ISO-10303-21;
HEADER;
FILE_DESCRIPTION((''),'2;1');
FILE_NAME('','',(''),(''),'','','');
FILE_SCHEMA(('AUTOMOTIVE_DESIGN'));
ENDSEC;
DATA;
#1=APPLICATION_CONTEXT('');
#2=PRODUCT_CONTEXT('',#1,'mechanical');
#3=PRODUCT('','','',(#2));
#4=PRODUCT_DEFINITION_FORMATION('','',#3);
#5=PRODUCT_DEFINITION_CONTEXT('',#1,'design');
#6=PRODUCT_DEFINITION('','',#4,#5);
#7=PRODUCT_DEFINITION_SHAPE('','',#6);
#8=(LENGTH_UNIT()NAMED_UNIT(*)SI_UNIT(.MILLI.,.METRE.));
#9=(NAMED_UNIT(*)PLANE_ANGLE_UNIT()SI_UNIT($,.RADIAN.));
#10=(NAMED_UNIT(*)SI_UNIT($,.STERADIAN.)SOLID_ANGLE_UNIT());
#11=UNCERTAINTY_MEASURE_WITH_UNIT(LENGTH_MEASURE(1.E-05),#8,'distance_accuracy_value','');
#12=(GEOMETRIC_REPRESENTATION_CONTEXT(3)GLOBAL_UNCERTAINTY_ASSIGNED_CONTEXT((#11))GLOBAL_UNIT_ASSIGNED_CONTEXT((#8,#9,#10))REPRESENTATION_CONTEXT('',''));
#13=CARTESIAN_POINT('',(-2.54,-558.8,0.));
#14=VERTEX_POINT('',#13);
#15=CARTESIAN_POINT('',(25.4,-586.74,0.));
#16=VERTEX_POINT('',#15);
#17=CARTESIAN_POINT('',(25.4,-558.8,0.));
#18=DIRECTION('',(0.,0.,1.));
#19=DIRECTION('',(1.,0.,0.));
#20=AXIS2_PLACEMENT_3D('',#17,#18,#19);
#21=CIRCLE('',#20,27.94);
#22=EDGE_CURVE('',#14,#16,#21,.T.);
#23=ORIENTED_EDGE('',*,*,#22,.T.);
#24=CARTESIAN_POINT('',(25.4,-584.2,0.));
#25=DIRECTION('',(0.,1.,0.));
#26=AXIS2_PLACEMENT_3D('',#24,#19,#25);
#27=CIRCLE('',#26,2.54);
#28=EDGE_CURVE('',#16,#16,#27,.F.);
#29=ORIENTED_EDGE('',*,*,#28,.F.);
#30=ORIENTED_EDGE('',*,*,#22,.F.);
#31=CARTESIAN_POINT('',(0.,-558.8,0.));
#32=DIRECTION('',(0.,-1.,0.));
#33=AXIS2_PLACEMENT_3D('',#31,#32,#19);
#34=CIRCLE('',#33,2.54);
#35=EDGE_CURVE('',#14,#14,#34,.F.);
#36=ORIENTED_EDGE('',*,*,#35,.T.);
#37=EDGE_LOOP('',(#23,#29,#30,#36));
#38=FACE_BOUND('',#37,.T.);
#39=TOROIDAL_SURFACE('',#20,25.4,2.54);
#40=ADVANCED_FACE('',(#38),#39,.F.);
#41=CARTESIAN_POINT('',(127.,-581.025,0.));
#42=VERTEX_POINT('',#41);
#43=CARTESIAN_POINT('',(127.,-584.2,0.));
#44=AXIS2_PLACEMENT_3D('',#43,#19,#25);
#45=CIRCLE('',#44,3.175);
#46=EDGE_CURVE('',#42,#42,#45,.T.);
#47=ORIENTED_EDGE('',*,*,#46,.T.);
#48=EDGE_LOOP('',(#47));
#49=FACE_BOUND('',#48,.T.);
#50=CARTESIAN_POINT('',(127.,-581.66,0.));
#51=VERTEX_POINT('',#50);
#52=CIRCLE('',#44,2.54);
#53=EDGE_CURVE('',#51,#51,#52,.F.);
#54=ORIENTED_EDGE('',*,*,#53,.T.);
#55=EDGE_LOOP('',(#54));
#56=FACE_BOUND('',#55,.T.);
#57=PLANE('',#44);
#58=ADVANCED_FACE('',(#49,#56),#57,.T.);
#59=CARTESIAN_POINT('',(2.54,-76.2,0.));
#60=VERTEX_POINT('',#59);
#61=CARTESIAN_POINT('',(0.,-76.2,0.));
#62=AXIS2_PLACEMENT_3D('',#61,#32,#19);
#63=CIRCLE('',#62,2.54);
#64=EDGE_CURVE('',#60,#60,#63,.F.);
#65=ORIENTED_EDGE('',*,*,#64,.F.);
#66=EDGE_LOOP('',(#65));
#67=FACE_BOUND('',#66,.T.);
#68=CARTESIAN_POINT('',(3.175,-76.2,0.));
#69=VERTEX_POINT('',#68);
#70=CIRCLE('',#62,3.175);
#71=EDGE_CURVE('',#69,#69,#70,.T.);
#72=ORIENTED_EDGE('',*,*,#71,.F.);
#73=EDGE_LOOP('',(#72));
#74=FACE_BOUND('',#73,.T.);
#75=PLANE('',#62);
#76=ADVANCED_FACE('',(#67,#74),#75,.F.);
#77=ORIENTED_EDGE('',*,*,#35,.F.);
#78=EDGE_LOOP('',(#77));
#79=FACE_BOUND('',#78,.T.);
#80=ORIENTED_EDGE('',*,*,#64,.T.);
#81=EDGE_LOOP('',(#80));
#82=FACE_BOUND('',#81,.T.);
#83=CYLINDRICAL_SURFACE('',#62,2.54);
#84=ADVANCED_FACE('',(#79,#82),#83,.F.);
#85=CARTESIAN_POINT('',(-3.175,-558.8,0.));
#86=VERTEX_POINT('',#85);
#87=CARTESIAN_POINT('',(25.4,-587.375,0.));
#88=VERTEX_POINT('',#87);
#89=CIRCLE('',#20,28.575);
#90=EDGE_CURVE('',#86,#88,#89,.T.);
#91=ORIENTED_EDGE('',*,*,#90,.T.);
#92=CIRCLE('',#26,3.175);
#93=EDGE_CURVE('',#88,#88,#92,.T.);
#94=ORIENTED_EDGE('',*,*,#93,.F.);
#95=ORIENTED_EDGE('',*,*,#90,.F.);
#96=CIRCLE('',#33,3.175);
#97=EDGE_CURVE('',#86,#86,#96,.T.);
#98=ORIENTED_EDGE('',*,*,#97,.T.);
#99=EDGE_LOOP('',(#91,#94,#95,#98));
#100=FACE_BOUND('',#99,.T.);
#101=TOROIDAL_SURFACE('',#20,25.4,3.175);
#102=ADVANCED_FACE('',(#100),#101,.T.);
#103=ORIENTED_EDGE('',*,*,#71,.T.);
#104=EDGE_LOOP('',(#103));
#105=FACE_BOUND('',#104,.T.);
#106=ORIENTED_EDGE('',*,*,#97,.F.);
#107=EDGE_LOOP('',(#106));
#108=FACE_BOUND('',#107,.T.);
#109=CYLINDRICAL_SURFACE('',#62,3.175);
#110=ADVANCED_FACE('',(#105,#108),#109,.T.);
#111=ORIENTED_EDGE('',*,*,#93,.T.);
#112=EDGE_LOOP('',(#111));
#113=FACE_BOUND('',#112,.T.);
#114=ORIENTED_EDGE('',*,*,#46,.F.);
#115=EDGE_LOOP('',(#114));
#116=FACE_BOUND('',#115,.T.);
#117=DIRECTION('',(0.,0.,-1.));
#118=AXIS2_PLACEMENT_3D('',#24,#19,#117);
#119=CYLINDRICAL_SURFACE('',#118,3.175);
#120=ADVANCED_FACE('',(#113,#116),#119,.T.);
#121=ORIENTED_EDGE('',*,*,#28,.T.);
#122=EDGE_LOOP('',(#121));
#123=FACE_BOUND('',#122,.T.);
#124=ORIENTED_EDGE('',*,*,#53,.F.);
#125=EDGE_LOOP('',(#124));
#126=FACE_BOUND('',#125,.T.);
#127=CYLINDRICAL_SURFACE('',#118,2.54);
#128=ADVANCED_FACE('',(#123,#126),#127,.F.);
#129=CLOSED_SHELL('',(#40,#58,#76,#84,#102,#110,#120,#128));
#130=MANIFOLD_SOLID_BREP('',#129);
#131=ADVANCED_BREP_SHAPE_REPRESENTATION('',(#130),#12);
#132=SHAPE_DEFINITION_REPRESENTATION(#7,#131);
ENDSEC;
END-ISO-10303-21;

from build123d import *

# Parameters (mm, degrees)
SKETCH2_R   = 3.175
SKETCH2_R_2 = 2.54


with BuildPart() as part:
    # Sweep1: sweep along a path in Sketch1
    with BuildLine(Plane.XY) as sweep1_path:
        Line((0, -76.2), (0, -558.8))
        ThreePointArc((0, -558.8), (7.439487758, -576.760512242), (25.4, -584.2))
        Line((25.4, -584.2), (127, -584.2))
    # Sketch2 → Sweep1 (sweep)
    with BuildSketch(Plane(origin=(0, -76.2, 0), x_dir=(-1, 0, 0), z_dir=(0, -1, 0))):
        Circle(SKETCH2_R)
        Circle(SKETCH2_R_2, mode=Mode.SUBTRACT)
    sweep(path=sweep1_path.line)


solid = part.part
